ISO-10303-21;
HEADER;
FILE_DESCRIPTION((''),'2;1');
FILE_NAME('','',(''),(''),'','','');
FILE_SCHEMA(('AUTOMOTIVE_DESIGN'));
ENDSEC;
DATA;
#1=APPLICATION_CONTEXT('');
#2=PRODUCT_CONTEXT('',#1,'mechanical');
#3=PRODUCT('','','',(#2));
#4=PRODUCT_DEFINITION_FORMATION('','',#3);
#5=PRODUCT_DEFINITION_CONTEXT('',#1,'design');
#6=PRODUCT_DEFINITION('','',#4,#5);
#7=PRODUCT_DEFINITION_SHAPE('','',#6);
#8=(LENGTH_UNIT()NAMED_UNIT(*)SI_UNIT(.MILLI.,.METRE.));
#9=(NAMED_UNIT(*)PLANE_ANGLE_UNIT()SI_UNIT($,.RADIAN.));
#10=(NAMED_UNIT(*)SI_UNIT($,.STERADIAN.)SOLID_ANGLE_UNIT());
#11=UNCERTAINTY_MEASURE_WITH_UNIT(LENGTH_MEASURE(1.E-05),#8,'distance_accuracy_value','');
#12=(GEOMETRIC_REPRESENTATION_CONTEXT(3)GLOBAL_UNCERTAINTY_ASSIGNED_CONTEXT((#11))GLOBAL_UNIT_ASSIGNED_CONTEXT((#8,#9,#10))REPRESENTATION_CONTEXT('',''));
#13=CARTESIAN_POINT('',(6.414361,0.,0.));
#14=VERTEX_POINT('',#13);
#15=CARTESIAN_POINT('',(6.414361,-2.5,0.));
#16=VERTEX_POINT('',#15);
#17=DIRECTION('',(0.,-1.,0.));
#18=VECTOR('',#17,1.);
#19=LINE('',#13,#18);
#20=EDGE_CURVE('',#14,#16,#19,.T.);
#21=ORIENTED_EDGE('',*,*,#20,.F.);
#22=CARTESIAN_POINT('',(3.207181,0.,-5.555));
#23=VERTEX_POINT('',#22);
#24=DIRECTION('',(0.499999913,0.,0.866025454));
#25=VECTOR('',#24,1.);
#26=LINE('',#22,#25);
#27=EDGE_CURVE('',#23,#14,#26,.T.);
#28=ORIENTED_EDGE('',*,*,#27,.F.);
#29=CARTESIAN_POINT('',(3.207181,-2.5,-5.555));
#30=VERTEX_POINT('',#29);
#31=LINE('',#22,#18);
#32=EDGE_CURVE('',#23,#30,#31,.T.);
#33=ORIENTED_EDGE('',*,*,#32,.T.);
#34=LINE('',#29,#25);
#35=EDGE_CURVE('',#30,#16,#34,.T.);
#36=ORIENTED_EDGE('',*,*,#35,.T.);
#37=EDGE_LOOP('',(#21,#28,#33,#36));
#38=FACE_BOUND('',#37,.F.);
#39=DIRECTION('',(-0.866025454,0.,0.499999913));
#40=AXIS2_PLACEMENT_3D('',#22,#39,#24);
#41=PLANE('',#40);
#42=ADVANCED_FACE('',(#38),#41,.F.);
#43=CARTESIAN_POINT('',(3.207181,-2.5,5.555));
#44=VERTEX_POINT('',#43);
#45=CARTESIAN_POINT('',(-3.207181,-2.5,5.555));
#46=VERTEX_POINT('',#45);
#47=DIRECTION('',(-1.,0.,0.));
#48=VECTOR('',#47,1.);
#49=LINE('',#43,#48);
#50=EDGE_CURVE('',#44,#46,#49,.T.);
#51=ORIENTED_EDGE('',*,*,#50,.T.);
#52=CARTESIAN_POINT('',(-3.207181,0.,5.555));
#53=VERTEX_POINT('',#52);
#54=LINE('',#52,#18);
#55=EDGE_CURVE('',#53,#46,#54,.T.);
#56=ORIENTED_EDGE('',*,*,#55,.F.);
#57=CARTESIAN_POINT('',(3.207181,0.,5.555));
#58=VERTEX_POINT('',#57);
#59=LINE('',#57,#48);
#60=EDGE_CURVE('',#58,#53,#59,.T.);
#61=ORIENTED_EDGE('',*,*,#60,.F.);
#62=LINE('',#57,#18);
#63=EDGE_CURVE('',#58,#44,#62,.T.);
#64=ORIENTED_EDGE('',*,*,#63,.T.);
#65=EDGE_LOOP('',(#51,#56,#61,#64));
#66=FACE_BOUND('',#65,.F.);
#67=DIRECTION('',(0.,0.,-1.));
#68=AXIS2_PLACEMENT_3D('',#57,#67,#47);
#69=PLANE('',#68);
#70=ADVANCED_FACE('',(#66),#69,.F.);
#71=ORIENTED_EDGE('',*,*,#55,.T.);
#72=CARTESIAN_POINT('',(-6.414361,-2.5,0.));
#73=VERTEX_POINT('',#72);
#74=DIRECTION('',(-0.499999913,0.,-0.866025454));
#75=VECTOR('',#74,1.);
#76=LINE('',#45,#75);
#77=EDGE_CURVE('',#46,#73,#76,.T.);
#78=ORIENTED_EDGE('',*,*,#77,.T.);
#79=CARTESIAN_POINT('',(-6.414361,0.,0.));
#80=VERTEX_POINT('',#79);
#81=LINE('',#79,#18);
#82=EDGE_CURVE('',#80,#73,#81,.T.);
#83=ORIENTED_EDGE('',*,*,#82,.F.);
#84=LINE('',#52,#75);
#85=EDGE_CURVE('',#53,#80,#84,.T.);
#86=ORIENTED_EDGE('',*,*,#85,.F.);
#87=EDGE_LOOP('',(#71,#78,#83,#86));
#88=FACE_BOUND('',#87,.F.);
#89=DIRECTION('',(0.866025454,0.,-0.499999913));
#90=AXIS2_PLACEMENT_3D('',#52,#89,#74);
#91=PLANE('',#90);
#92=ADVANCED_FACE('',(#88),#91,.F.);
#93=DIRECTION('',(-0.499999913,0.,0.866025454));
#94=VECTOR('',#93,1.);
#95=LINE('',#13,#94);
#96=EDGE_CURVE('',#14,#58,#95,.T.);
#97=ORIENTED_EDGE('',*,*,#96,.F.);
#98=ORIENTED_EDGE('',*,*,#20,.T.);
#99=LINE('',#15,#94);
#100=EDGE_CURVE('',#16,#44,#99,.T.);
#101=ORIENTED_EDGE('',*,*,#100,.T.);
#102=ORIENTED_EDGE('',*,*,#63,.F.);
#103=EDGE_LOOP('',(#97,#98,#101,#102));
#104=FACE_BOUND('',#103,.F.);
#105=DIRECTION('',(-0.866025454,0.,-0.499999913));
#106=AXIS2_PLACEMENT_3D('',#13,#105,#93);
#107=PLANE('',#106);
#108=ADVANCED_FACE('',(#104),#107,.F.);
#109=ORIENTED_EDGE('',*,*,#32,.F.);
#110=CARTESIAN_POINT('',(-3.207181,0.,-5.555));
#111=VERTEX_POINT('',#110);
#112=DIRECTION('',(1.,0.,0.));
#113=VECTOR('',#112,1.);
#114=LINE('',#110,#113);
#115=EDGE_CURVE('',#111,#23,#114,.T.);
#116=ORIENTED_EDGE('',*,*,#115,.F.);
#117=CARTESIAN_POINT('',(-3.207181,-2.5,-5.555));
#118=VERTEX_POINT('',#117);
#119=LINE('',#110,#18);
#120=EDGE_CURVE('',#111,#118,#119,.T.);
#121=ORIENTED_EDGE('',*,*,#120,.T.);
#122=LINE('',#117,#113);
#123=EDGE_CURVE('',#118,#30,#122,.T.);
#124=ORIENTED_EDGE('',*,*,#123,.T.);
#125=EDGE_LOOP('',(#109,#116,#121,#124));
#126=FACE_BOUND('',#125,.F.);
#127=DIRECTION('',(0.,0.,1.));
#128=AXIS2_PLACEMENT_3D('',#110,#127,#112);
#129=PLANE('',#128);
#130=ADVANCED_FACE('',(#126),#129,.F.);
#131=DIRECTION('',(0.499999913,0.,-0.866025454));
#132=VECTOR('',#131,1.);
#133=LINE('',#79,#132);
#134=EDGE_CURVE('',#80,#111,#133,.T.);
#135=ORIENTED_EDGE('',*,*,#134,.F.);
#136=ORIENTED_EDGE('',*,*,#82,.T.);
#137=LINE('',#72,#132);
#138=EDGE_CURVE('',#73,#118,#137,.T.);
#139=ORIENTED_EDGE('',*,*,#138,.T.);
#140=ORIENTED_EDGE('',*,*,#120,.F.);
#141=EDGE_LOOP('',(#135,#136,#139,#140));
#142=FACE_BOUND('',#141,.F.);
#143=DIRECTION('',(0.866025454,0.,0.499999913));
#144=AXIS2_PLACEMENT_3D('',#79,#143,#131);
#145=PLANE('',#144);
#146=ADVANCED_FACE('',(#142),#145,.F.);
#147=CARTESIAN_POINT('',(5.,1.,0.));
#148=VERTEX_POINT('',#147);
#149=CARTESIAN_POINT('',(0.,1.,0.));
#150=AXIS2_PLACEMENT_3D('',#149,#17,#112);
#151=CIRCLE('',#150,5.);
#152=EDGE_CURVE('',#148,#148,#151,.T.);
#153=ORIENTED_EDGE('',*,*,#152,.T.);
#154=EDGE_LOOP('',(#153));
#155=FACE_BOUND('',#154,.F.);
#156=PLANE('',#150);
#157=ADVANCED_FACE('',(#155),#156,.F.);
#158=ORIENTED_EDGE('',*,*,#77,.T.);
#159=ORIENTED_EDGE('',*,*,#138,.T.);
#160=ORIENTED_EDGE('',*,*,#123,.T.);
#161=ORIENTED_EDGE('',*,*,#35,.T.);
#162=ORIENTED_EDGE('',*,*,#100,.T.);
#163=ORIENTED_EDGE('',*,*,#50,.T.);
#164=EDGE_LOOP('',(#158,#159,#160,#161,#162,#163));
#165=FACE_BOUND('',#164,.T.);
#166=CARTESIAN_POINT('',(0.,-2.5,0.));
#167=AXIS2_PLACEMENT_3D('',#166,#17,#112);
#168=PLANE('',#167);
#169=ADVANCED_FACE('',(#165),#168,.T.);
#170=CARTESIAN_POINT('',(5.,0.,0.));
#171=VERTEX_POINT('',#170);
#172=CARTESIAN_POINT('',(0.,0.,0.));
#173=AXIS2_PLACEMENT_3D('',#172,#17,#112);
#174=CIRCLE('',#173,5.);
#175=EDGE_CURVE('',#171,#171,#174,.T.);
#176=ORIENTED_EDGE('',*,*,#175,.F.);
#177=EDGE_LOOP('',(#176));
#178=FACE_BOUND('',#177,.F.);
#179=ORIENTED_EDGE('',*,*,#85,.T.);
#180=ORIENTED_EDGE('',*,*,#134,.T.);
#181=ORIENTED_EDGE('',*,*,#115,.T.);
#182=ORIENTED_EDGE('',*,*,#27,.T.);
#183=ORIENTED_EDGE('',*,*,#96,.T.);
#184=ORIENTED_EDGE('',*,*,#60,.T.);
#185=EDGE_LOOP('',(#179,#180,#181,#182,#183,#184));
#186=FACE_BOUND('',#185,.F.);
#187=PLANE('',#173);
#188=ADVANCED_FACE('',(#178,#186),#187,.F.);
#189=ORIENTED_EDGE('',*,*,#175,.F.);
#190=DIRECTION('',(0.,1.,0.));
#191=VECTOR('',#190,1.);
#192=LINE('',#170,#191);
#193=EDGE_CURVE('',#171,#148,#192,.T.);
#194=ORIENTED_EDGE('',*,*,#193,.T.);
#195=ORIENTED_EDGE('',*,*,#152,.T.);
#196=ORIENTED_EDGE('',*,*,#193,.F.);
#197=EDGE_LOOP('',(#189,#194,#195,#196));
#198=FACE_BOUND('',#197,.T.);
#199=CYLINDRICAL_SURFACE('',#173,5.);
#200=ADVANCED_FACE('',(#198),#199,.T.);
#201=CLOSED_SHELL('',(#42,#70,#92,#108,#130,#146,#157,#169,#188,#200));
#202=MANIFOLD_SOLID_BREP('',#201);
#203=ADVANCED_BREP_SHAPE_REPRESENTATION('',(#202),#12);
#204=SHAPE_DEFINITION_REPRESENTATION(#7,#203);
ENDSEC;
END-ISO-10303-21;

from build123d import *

# Parameters (mm, degrees)
F1_DEPTH = 2.5
F2_R     = 5
F3_DEPTH = 1


with BuildPart() as f1:
    # F0 (on Front) → F1 (new body)
    with BuildSketch(Plane.XZ):
        Polygon((3.207181, 5.555), (-3.207181, 5.555), (-6.414361, 0), (-3.207181, -5.555), (3.207181, -5.555), (6.414361, 0), align=None)
    extrude(amount=F1_DEPTH)

    # F2 (on Front) → F3 (join)
    with BuildSketch(Plane.XZ):
        Circle(F2_R)
    extrude(amount=-F3_DEPTH)


solid = f1.part
